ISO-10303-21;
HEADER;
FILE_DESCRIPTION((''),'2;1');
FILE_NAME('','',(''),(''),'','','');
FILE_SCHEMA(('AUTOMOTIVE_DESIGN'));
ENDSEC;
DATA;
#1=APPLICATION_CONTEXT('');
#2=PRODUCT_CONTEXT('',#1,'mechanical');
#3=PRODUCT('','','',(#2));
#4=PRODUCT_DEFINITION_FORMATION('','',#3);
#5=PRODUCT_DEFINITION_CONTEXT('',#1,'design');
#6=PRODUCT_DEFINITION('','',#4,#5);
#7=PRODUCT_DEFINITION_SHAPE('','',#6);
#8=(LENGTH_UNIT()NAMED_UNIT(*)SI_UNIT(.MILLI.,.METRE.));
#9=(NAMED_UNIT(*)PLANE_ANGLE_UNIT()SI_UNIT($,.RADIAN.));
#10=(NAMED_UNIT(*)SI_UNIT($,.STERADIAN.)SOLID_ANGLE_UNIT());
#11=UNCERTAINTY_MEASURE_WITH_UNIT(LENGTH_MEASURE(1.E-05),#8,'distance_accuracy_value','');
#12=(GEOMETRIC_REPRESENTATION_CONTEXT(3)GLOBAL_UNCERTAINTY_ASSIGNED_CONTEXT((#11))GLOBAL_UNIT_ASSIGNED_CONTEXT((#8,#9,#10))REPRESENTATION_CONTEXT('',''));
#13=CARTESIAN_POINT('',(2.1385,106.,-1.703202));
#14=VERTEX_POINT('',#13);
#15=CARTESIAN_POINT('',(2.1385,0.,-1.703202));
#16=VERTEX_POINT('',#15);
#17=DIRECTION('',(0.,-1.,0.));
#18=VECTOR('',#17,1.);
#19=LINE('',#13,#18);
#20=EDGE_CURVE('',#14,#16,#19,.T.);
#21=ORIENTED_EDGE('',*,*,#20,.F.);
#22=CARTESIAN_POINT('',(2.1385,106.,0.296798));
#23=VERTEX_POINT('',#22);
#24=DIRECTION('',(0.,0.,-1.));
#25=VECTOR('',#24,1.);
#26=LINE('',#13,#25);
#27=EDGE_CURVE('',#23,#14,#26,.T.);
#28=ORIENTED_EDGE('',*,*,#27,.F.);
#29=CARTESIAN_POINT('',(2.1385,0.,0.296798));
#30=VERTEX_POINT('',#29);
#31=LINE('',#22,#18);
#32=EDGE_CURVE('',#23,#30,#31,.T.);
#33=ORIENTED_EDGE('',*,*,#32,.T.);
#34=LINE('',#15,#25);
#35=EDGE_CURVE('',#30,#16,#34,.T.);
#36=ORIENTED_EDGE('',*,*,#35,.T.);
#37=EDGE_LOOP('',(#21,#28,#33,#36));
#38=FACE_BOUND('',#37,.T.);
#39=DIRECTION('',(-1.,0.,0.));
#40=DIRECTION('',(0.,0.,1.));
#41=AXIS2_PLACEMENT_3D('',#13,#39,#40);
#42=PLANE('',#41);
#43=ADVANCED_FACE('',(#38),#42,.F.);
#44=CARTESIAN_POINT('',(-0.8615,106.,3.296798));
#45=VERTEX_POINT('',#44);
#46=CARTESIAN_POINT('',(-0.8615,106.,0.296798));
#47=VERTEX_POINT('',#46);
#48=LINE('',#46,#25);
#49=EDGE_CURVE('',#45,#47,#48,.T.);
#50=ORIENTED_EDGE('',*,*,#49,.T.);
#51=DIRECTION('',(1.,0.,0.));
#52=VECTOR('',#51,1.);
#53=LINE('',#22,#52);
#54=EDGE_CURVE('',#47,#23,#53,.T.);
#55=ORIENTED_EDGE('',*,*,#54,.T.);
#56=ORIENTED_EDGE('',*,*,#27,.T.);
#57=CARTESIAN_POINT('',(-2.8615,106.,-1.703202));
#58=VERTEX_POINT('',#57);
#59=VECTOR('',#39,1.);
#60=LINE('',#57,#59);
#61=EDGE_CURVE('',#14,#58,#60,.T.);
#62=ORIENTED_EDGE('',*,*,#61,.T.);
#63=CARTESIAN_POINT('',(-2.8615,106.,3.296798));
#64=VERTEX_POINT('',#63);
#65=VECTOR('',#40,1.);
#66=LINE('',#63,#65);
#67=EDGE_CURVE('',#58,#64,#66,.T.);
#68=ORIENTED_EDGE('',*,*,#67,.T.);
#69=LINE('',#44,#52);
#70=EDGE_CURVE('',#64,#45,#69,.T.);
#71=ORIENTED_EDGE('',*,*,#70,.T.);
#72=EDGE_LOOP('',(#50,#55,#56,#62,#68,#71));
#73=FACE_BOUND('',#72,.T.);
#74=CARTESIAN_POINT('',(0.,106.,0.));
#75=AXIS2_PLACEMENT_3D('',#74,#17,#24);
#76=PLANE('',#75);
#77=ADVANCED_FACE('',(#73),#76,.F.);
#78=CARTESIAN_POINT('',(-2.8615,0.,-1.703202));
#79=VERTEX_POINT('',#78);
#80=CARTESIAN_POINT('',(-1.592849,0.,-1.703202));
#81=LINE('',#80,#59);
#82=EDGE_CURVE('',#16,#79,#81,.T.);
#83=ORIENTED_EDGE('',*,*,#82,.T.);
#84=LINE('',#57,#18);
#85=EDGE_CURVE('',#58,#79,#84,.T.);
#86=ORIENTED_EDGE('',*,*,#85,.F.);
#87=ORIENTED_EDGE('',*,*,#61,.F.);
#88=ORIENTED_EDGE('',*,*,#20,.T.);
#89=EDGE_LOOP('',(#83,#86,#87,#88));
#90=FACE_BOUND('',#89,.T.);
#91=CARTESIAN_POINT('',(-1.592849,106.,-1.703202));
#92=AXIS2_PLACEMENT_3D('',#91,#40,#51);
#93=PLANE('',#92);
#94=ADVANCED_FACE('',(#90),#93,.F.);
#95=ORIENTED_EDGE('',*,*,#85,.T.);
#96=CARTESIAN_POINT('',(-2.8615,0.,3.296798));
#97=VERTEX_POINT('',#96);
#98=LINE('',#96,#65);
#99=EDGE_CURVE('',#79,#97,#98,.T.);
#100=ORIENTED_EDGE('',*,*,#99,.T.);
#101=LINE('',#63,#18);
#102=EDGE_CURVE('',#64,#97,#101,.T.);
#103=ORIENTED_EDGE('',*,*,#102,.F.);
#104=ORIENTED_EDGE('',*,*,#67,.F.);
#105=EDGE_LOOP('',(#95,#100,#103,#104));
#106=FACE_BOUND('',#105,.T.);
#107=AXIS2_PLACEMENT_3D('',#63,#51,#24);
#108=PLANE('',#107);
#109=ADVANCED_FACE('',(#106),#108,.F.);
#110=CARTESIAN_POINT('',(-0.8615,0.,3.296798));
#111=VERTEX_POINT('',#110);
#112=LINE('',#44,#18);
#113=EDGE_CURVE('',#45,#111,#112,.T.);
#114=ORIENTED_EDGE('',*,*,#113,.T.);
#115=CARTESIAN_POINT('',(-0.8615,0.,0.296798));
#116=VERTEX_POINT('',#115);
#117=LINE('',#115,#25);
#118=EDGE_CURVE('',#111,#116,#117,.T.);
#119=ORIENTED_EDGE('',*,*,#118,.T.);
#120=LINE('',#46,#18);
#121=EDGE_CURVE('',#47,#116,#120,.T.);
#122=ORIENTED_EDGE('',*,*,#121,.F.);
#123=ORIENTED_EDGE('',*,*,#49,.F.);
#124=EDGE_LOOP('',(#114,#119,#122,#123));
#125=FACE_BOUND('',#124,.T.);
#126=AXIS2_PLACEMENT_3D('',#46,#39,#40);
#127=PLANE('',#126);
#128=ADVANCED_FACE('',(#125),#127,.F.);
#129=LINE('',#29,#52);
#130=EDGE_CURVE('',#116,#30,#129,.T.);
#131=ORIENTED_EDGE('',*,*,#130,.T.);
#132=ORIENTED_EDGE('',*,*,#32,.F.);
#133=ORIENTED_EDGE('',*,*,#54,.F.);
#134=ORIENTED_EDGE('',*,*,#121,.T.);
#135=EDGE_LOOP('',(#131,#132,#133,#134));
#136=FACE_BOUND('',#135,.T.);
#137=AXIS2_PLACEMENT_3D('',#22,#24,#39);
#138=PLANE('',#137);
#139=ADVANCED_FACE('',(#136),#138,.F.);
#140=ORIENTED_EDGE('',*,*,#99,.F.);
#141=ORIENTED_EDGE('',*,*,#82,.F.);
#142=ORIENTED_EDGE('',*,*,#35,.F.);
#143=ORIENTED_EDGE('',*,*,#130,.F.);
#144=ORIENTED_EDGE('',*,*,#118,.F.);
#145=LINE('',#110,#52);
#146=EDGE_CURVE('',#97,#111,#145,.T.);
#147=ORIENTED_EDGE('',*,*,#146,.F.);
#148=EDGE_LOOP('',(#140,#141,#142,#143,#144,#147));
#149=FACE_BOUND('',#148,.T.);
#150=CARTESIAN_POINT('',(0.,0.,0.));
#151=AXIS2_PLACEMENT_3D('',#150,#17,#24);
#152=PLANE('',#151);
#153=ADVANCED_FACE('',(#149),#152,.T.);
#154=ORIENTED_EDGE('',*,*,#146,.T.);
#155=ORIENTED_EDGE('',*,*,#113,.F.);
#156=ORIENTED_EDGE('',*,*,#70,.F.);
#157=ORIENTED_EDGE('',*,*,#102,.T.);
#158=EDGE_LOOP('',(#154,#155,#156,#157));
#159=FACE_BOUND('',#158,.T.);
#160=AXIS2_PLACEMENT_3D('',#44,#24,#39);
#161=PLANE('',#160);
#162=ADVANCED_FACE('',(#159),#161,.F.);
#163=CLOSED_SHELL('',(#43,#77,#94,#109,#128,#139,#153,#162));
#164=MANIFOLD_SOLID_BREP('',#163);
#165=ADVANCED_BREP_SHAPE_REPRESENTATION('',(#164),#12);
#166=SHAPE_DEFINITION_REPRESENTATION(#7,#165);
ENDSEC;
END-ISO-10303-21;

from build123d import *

# Parameters (mm, degrees)
BOSS_EXTRUDE1_DEPTH = 106


with BuildPart() as part:
    # Sketch1 → Boss-Extrude1 (new body)
    with BuildSketch(Plane(origin=(0, 0, 0), x_dir=(1, 0, 0), z_dir=(0, 1, 0))):
        Polygon((-1.592849237, 1.703201648), (2.13849988, 1.703201648), (2.13849988, -0.296798352), (-0.86150012, -0.296798352), (-0.86150012, -3.296798352), (-2.86150012, -3.296798352), (-2.86150012, 1.703201648), align=None)
    extrude(amount=BOSS_EXTRUDE1_DEPTH)


solid = part.part
